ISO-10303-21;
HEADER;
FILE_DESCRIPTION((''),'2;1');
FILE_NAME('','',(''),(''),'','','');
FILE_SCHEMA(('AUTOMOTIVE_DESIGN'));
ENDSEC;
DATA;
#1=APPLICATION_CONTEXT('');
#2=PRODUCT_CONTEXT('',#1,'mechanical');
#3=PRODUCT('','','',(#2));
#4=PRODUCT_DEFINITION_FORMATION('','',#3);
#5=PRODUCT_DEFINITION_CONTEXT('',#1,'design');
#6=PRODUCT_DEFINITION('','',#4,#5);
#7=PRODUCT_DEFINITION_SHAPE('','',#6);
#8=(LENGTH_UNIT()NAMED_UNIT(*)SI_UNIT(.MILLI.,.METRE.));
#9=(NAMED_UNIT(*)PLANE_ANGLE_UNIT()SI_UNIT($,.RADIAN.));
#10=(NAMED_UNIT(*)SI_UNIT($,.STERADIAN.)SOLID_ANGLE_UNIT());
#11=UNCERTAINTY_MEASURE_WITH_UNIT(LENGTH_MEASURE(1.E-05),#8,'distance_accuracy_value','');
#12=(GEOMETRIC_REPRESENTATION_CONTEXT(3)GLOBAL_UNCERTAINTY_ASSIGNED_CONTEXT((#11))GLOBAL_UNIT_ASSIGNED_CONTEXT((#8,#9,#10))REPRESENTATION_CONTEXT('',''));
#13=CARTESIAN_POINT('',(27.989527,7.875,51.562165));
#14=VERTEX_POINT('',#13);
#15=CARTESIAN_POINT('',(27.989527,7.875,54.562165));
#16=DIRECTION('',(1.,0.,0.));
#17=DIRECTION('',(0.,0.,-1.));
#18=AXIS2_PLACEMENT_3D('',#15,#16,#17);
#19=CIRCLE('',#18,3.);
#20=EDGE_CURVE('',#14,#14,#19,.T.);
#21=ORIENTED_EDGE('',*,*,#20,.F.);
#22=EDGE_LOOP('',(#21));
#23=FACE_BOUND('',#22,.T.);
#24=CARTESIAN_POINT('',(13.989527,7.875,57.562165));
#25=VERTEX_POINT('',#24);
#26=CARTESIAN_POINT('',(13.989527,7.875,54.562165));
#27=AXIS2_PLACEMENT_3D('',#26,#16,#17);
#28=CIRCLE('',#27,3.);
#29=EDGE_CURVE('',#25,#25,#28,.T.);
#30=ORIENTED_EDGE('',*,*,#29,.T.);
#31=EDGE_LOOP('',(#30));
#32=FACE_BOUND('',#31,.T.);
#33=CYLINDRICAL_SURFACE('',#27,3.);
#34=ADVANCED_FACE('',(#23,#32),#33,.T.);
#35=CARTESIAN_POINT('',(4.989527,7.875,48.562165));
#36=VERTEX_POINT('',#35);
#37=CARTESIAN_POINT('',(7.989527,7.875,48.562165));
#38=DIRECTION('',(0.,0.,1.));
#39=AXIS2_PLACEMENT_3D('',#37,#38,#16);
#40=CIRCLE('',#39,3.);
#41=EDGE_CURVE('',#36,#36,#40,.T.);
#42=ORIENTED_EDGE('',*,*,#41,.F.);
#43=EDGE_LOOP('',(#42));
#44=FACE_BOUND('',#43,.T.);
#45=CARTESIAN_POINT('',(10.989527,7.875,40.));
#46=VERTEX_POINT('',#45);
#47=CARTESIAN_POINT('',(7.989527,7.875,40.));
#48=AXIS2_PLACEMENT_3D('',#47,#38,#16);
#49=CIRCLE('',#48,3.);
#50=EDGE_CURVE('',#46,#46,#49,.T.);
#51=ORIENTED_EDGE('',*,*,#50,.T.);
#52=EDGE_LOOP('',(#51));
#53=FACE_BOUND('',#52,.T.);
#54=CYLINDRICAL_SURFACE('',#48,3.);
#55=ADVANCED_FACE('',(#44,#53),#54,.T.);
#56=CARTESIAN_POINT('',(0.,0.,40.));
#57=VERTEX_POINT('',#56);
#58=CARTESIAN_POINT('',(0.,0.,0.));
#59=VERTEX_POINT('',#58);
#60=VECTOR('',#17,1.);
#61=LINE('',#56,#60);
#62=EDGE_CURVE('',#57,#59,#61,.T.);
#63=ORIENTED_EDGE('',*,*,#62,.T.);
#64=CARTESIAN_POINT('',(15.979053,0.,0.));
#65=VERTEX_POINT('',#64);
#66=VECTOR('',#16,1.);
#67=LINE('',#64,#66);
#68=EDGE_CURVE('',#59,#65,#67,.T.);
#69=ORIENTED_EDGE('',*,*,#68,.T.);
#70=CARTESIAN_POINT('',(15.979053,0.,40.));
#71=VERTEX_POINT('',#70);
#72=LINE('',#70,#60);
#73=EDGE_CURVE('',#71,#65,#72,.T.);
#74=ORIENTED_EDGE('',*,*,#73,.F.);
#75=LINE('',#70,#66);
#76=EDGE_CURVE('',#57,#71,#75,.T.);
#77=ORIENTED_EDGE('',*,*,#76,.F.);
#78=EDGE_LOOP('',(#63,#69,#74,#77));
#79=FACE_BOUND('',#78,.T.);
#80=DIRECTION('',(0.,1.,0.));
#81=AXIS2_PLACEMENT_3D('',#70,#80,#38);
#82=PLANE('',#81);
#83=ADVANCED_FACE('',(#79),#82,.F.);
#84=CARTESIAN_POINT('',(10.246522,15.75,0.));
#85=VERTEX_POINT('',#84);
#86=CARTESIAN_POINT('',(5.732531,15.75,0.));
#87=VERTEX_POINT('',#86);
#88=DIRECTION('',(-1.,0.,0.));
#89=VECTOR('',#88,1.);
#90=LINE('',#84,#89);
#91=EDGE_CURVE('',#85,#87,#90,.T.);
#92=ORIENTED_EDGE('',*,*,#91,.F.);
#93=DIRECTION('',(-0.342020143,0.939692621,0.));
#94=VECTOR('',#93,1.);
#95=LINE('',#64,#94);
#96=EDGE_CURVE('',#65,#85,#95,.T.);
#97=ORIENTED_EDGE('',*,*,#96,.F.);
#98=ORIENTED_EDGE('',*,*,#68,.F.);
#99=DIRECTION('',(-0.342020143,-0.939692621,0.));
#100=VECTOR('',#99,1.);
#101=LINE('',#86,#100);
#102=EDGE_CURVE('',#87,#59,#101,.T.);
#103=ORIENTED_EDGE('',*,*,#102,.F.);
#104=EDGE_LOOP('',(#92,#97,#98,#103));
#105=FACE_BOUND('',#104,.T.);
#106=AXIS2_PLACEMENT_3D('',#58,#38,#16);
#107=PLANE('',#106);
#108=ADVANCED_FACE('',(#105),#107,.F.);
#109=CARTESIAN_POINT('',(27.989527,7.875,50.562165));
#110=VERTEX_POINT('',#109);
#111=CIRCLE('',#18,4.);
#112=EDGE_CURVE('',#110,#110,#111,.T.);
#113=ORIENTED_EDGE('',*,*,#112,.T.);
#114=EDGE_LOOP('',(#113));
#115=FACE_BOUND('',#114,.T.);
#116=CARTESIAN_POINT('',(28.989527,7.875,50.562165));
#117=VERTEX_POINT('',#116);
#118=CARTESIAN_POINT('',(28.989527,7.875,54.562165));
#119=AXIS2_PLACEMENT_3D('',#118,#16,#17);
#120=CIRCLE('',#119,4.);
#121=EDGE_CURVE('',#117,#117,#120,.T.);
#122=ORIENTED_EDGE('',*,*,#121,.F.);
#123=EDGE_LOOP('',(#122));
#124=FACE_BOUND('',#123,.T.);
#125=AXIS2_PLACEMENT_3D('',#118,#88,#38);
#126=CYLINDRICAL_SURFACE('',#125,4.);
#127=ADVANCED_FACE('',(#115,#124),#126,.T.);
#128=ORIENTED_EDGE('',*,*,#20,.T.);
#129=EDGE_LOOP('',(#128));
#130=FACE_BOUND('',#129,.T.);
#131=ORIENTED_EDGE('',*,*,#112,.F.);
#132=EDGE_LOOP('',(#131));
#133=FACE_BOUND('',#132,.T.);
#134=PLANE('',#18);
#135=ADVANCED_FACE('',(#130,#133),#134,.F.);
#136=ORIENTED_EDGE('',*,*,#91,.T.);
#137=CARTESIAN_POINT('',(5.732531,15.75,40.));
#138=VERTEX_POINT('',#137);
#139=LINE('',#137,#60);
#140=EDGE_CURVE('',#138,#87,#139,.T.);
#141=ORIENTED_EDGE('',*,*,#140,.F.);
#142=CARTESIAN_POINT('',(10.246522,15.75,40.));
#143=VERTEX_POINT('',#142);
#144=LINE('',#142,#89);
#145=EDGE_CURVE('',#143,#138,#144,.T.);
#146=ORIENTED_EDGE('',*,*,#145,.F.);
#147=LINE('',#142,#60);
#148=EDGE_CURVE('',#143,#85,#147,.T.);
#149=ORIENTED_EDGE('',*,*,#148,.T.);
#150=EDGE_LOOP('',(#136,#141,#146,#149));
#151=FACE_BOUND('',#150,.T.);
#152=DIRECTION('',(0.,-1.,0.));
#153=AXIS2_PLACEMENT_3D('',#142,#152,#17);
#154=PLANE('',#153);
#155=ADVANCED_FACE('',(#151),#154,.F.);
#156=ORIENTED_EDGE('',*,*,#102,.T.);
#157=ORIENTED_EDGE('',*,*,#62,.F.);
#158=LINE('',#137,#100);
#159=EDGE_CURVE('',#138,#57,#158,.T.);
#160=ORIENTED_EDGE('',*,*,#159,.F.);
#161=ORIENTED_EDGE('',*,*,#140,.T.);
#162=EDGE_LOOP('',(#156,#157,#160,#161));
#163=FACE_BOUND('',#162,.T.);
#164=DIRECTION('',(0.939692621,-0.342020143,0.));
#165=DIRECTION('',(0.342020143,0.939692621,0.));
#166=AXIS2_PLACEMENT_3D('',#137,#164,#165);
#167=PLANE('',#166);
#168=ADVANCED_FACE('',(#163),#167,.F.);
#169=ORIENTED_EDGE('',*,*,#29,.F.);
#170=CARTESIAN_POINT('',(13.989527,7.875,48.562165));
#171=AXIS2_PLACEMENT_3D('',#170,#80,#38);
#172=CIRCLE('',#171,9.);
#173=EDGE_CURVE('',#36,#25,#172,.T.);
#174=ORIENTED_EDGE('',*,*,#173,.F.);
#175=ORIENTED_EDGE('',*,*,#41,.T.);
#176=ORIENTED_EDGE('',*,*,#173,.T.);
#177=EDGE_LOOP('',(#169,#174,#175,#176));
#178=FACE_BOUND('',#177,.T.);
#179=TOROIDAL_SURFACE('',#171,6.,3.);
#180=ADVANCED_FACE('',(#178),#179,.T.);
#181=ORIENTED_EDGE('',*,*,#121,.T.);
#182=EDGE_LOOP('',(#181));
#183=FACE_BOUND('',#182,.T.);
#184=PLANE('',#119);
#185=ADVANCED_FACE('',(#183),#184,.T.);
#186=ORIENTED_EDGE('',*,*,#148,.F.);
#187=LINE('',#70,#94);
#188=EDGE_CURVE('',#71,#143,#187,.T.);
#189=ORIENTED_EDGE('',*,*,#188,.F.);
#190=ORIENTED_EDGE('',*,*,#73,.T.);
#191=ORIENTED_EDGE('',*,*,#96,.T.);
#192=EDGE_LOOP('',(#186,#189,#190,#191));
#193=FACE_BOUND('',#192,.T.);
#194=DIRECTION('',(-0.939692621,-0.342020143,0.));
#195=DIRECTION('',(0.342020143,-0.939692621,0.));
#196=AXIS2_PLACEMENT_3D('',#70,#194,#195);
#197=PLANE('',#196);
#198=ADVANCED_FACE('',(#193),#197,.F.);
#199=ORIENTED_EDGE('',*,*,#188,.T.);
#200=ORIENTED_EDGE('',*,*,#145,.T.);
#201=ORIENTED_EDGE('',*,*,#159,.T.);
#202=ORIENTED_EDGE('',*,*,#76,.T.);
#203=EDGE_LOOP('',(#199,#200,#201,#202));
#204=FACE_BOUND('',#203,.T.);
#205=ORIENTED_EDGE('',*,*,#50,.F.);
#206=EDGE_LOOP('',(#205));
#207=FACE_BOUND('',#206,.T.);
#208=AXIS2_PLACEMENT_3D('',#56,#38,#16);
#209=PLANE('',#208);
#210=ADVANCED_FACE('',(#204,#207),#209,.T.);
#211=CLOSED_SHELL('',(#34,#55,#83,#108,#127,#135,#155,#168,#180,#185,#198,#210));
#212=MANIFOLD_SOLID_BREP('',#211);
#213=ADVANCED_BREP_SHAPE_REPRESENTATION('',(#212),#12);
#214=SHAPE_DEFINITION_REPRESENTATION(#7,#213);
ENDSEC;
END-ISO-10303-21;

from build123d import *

# Parameters (mm, degrees)
BOSS_EXTRUDE1_DEPTH = 40
SKETCH4_R           = 3
SKETCH5_R           = 4
BOSS_EXTRUDE2_DEPTH = 1


with BuildPart() as part:
    # Sketch1 → Boss-Extrude1 (new body)
    with BuildSketch(Plane.XY):
        Polygon((15.979053375, 0), (10.246522185, 15.75), (5.73253119, 15.75), (0, 0), align=None)
    extrude(amount=BOSS_EXTRUDE1_DEPTH)

    # Sweep1: sweep along a path in Sketch3
    with BuildLine(Plane(origin=(0, 7.875, 0), x_dir=(-1, 0, 0), z_dir=(0, -1, 0))) as sweep1_path:
        Line((-7.989526687, -40), (-7.989526687, -48.56216486))
        ThreePointArc((-7.989526687, -48.56216486), (-9.746886, -52.804805547), (-13.989526687, -54.56216486))
        Line((-13.989526687, -54.56216486), (-27.989526687, -54.56216486))
    # Sketch4 → Sweep1 (sweep)
    with BuildSketch(Plane(origin=(27.989526687, 0, 0), x_dir=(0, 0, -1), z_dir=(1, 0, 0))):
        with Locations((-54.56216486, 7.875)):
            Circle(SKETCH4_R)
    sweep(path=sweep1_path.line)

    # Sketch5 → Boss-Extrude2 (add)
    with BuildSketch(Plane(origin=(27.989526687, 0, 0), x_dir=(0, 0, -1), z_dir=(1, 0, 0))):
        with Locations((-54.56216486, 7.875)):
            Circle(SKETCH5_R)
    extrude(amount=BOSS_EXTRUDE2_DEPTH)


solid = part.part
